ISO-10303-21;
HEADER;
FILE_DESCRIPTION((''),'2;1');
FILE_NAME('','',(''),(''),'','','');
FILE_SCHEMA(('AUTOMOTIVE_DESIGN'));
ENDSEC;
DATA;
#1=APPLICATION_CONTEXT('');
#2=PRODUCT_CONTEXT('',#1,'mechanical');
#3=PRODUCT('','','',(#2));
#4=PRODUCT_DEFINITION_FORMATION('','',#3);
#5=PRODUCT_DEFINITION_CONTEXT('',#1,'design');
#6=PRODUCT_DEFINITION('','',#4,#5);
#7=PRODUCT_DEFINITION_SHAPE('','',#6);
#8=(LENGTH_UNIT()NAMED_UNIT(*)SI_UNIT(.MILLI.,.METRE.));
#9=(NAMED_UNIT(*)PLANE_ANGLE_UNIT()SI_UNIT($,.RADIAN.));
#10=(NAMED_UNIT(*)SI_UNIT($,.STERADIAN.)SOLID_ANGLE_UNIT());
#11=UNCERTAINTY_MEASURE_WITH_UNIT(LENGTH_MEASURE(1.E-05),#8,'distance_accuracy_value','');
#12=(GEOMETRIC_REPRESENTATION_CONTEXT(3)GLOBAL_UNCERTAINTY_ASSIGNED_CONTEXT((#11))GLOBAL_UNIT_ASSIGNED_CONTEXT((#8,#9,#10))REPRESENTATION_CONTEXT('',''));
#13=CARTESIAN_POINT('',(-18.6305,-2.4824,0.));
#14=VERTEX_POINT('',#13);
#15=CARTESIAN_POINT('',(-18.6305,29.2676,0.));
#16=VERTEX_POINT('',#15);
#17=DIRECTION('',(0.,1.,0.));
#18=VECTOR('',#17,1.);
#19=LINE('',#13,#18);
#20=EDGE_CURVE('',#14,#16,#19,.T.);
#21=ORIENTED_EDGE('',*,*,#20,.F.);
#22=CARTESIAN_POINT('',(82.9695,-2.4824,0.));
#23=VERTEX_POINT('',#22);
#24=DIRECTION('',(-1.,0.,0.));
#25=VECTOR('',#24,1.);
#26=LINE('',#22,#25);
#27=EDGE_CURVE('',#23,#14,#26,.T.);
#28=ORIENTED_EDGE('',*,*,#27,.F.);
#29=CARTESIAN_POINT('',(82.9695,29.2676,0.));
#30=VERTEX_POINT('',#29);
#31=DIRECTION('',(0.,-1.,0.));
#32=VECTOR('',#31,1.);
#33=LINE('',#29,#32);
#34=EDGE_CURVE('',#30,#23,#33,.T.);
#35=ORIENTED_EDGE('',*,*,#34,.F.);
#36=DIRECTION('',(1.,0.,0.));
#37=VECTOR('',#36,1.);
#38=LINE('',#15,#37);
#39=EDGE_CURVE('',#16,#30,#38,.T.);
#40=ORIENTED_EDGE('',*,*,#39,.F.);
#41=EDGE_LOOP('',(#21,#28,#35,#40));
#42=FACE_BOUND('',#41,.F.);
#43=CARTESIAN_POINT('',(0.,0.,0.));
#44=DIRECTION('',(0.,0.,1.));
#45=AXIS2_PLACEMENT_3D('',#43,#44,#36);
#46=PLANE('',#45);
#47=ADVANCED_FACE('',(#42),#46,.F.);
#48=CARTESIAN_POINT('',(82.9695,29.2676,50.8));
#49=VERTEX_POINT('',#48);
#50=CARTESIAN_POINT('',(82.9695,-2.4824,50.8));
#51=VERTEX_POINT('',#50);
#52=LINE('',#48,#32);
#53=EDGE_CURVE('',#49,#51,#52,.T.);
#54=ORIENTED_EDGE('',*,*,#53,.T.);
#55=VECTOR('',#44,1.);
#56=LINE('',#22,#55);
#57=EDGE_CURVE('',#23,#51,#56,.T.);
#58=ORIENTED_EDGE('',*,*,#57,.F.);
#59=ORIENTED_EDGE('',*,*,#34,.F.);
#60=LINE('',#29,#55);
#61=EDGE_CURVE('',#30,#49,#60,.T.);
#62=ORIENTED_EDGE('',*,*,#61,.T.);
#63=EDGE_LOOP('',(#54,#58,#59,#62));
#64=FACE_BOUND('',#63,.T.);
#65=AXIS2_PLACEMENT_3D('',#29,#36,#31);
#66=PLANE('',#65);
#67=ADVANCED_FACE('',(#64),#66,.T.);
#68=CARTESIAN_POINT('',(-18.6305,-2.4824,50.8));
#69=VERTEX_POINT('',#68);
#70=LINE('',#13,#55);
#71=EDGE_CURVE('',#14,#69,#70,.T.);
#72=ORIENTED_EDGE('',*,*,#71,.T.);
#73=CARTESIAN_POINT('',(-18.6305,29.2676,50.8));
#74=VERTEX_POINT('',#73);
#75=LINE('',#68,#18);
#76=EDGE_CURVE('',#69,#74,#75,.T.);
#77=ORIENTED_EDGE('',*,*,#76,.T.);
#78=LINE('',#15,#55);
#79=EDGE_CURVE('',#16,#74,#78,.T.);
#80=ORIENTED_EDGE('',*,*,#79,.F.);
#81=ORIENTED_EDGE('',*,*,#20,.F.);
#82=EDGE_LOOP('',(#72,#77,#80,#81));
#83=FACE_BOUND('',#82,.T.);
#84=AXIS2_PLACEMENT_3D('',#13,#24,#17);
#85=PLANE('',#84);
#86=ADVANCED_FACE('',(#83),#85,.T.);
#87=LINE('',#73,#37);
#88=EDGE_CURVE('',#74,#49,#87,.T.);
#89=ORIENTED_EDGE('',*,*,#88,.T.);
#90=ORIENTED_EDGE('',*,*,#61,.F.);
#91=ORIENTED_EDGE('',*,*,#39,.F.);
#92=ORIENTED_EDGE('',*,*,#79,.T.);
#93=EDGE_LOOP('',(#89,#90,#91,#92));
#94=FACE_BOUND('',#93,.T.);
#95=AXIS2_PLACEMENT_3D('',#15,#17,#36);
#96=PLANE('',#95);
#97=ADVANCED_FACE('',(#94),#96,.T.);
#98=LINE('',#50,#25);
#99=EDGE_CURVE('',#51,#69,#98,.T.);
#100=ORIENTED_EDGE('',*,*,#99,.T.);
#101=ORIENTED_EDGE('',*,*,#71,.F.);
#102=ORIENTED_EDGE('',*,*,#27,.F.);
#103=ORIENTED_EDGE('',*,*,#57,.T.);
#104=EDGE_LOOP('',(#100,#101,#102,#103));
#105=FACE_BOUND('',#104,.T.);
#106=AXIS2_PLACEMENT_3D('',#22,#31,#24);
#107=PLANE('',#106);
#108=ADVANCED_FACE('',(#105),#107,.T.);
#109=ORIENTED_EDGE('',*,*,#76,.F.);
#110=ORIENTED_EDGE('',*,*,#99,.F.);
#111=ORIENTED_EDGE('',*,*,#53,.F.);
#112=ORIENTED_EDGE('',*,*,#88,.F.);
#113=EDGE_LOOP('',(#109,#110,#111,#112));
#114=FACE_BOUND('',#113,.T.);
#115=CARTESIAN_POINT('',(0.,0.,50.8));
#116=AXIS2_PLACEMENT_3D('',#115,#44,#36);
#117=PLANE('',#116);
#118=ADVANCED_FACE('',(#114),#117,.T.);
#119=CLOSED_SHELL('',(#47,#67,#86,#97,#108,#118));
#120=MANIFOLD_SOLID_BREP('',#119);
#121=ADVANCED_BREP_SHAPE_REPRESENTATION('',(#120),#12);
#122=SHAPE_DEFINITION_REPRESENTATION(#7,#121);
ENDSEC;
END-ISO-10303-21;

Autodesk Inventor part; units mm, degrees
ref_plane "YZ Plane" through (0, 0, 0) normal (1, 0, 0) x (0, 1, 0)
ref_plane "XZ Plane" through (0, 0, 0) normal (0, 1, 0) x (-1, 0, 0)
ref_plane "XY Plane" through (0, 0, 0) normal (0, 0, 1) x (1, 0, 0)
sketch "Sketch1" plane through (0, 0, 0) normal (0, 0, 1) x (1, 0, 0)
  line L0 (-18.6305, 29.2676) -> (82.9695, 29.2676)
  line L1 (82.9695, 29.2676) -> (82.9695, -2.4824)
  line L2 (82.9695, -2.4824) -> (-18.6305, -2.4824)
  line L3 (-18.6305, -2.4824) -> (-18.6305, 29.2676)
  point P0 (0, 0)
  dimension "d0" = 101.6
  dimension "d1" = 31.75
extrude "Extrusion1" add sketch "Sketch1" along normal blind 50.8
properties part number "4 x2"
